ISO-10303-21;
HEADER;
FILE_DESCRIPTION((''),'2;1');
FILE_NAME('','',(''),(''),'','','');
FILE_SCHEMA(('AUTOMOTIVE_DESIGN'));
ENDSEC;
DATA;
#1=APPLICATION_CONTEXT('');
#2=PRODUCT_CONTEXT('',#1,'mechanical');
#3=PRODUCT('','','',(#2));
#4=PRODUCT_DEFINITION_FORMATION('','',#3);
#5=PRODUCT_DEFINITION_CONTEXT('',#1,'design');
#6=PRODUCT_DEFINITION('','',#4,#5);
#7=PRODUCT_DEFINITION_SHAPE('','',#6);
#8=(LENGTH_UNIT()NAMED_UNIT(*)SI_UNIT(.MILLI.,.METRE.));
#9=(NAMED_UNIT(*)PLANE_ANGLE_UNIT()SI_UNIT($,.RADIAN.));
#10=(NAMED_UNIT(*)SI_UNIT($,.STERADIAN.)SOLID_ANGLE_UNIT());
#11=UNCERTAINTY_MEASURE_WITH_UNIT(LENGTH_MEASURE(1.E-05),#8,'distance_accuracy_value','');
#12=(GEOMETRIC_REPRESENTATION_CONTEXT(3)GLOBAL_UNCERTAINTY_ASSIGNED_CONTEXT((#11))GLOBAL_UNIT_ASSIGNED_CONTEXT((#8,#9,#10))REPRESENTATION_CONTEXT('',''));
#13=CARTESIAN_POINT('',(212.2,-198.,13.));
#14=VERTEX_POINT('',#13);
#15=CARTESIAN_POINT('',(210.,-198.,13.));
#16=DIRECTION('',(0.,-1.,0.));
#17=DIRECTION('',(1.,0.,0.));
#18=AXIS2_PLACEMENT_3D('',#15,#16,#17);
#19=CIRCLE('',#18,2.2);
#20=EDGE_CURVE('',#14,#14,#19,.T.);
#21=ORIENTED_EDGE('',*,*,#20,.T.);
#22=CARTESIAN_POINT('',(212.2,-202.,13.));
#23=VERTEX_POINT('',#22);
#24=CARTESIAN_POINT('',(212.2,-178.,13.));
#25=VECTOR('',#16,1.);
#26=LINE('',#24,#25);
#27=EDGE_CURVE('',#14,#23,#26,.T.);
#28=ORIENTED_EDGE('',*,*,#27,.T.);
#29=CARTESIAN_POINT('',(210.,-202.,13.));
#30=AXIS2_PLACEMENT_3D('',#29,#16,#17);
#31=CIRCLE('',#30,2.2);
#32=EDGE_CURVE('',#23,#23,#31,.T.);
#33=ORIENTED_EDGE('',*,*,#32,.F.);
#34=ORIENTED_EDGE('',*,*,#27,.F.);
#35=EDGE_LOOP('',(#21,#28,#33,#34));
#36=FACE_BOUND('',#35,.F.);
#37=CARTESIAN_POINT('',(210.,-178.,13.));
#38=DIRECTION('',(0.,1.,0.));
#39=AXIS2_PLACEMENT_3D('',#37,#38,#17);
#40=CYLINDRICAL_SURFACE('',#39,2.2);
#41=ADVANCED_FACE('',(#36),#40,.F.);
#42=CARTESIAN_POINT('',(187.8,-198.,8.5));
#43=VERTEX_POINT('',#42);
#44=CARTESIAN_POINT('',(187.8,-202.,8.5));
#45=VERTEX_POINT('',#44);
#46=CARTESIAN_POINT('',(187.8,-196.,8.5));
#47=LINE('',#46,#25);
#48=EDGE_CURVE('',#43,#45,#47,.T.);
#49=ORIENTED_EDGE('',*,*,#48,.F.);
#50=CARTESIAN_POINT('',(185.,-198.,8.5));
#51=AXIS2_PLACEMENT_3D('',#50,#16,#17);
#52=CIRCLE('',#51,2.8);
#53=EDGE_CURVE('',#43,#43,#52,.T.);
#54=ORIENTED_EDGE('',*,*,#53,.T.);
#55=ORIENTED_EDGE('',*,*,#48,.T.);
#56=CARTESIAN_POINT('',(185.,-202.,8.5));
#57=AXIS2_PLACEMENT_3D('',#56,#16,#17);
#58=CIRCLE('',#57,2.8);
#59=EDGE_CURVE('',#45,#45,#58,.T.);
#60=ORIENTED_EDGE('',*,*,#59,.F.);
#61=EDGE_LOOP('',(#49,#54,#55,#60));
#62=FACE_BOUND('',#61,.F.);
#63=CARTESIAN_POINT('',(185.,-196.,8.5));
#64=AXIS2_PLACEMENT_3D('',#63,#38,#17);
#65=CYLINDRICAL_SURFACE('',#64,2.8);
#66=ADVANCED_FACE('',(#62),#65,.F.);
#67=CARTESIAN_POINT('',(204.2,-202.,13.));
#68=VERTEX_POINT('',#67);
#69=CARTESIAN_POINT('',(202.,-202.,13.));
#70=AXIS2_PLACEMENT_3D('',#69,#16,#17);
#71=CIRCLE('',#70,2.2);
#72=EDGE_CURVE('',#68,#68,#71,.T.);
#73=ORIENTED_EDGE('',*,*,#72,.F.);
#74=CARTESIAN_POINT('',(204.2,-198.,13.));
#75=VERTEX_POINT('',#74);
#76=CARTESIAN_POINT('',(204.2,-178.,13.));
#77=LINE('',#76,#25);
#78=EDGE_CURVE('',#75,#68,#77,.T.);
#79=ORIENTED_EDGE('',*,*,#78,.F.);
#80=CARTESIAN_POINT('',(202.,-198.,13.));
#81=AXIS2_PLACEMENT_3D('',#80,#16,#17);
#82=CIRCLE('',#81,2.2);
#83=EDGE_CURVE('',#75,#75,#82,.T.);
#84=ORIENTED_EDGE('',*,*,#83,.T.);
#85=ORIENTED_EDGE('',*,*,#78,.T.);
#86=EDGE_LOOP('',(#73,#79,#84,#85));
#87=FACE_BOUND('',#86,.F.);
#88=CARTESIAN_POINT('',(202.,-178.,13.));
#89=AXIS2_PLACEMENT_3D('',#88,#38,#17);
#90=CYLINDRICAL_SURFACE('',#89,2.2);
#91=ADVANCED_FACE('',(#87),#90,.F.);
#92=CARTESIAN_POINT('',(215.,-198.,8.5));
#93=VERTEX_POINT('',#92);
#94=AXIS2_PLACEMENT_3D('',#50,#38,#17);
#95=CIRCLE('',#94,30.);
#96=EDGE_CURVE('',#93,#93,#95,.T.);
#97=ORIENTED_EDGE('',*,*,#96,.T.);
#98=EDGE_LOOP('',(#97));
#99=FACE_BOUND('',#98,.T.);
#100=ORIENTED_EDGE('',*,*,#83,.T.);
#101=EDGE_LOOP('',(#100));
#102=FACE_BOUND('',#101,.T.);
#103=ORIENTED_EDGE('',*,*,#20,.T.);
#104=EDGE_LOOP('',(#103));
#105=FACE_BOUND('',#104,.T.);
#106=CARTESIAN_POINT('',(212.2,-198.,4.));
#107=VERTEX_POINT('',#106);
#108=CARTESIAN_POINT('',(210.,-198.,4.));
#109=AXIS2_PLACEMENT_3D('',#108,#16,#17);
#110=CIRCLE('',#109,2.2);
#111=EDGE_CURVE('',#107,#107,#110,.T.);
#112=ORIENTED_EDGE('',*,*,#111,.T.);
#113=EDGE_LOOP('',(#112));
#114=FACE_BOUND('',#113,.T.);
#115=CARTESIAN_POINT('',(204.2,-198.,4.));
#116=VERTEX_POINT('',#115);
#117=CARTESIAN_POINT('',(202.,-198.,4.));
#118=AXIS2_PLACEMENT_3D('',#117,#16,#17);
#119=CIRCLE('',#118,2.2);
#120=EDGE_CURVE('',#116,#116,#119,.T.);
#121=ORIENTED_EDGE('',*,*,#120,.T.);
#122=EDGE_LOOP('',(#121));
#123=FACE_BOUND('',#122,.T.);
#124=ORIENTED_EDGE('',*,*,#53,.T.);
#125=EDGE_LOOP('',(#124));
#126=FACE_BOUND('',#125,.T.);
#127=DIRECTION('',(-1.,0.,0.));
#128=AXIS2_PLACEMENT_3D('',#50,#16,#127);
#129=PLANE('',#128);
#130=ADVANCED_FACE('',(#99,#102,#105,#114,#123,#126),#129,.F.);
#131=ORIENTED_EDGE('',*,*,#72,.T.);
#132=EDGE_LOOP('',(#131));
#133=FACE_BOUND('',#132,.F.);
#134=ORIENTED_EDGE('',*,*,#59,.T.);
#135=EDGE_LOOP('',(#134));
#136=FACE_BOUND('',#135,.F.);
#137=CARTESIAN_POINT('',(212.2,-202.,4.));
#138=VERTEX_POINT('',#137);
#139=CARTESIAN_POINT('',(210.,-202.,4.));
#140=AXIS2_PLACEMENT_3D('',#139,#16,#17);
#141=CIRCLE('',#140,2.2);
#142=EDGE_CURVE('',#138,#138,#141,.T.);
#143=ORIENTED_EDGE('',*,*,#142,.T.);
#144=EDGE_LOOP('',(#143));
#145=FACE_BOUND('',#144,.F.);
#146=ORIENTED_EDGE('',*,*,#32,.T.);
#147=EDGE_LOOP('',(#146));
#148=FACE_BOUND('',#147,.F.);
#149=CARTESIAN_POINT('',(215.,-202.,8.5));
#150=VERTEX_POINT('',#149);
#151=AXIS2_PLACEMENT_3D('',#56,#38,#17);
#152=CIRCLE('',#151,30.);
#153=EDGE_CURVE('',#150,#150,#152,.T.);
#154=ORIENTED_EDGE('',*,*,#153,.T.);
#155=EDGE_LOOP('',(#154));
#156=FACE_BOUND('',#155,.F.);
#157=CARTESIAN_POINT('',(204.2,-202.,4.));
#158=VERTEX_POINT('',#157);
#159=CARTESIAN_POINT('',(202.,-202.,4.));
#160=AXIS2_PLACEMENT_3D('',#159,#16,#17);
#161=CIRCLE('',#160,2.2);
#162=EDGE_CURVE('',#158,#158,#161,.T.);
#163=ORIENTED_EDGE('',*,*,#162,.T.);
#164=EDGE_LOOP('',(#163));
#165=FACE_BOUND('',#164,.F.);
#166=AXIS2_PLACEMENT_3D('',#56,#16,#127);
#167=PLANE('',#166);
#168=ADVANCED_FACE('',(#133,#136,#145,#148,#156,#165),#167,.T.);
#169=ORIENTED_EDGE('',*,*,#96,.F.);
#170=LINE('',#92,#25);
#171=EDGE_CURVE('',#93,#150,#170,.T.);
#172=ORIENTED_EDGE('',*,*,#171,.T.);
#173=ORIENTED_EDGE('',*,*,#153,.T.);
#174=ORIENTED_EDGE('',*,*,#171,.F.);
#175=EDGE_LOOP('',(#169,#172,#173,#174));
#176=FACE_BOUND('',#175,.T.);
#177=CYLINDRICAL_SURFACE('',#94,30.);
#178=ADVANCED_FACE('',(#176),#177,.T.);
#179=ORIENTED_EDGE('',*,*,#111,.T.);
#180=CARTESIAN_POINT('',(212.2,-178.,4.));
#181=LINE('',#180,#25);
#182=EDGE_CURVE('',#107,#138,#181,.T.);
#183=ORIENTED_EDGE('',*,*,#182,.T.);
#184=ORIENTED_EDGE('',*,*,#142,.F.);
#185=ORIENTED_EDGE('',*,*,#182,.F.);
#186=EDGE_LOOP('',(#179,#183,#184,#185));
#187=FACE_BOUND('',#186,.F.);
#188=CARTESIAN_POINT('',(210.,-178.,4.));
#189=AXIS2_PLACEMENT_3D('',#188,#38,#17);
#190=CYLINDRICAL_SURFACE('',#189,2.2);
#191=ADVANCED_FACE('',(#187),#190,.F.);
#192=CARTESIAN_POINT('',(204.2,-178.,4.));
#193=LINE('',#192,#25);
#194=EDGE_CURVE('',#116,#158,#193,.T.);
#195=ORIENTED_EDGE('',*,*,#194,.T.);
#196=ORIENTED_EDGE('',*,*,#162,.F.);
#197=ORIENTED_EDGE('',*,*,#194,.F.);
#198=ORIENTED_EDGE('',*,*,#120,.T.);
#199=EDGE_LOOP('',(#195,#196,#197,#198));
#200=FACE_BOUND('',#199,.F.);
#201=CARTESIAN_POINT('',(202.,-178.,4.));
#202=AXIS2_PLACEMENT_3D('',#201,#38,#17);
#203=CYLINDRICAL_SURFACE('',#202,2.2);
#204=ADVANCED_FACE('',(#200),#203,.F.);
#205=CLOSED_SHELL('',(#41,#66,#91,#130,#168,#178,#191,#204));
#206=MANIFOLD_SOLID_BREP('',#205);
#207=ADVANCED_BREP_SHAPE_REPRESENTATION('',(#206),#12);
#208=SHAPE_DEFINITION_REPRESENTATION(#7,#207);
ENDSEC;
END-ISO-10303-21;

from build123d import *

# Parameters (mm, degrees)
CYLINDER052_R          = 2.8
CYLINDER052_DEPTH      = 10
CYLINDER052_ROLL_ANGLE = -90
CYLINDER047_R          = 2.2
CYLINDER047_DEPTH      = 26
CYLINDER047_ROLL_ANGLE = -90
ARRAY018_X_COUNT       = 2
ARRAY018_X_PITCH       = 8
ARRAY018_Z_COUNT       = 2
ARRAY018_Z_PITCH       = 9
CYLINDER045_R          = 30
CYLINDER045_DEPTH      = 4
CYLINDER045_ROLL_ANGLE = -90


with BuildPart() as centro_traccion001:
    # Cylinder052 → Cylinder052 (new body)
    with BuildSketch(Plane.XY):
        Circle(CYLINDER052_R)
    extrude(amount=CYLINDER052_DEPTH)


with BuildPart() as centro_traccion001_1:
    # Cylinder052 roll: moved
    add(centro_traccion001.part.rotate(Axis((0, 0, 0), (1, 0, 0)), CYLINDER052_ROLL_ANGLE))


with BuildPart() as centro_traccion001_2:
    # Cylinder052 placement: moved
    add(centro_traccion001_1.part.moved(Location((185, 18, 8.5))))


with BuildPart() as taladros_suje_traccion006:
    # Cylinder047 → Cylinder047 (new body)
    with BuildSketch(Plane.XY):
        Circle(CYLINDER047_R)
    extrude(amount=CYLINDER047_DEPTH)


with BuildPart() as taladros_suje_traccion006_1:
    # Cylinder047 roll: moved
    add(taladros_suje_traccion006.part.rotate(Axis((0, 0, 0), (1, 0, 0)), CYLINDER047_ROLL_ANGLE))


with BuildPart() as taladros_suje_traccion006_2:
    # Cylinder047 placement: moved
    add(taladros_suje_traccion006_1.part.moved(Location((202, 0, 4))))

    # Array018 X: Taladros_suje_traccion006 ×2


with BuildPart() as taladros_suje_traccion006_3:
    add(taladros_suje_traccion006_2.part)
    with Locations(*[(i * ARRAY018_X_PITCH, 0, 0) for i in range(1, ARRAY018_X_COUNT)]):
        add(taladros_suje_traccion006_2.part)

    # Array018 Z: Taladros_suje_traccion006 ×2


with BuildPart() as taladros_suje_traccion006_4:
    add(taladros_suje_traccion006_3.part)
    with Locations(*[(0, 0, i * ARRAY018_Z_PITCH) for i in range(1, ARRAY018_Z_COUNT)]):
        add(taladros_suje_traccion006_3.part)


with BuildPart() as traccion_full001:
    # Cylinder045 → Cylinder045 (new body)
    with BuildSketch(Plane.XY):
        Circle(CYLINDER045_R)
    extrude(amount=CYLINDER045_DEPTH)


with BuildPart() as traccion_full001_1:
    # Cylinder045 roll: moved
    add(traccion_full001.part.rotate(Axis((0, 0, 0), (1, 0, 0)), CYLINDER045_ROLL_ANGLE))


with BuildPart() as traccion_full001_2:
    # Cylinder045 placement: moved
    add(traccion_full001_1.part.moved(Location((185, 20, 8.5))))

    # Cut053: cut Taladros_suje_traccion006
    add(taladros_suje_traccion006_4.part, mode=Mode.SUBTRACT)

    # Cut056: cut Centro_traccion001
    add(centro_traccion001_2.part, mode=Mode.SUBTRACT)


with BuildPart() as traccion_full1:
    # Part__Mirroring020: instance of Traccion_full001
    add(traccion_full001_2.part.mirror(Plane(origin=(0, 0, 0), x_dir=(1, 0, 0), z_dir=(0, 1, 0))))


with BuildPart() as traccion_full1_1:
    # Part__Mirroring020 placement: moved
    add(traccion_full1.part.moved(Location((0, -178, 0))))


solid = traccion_full1_1.part
